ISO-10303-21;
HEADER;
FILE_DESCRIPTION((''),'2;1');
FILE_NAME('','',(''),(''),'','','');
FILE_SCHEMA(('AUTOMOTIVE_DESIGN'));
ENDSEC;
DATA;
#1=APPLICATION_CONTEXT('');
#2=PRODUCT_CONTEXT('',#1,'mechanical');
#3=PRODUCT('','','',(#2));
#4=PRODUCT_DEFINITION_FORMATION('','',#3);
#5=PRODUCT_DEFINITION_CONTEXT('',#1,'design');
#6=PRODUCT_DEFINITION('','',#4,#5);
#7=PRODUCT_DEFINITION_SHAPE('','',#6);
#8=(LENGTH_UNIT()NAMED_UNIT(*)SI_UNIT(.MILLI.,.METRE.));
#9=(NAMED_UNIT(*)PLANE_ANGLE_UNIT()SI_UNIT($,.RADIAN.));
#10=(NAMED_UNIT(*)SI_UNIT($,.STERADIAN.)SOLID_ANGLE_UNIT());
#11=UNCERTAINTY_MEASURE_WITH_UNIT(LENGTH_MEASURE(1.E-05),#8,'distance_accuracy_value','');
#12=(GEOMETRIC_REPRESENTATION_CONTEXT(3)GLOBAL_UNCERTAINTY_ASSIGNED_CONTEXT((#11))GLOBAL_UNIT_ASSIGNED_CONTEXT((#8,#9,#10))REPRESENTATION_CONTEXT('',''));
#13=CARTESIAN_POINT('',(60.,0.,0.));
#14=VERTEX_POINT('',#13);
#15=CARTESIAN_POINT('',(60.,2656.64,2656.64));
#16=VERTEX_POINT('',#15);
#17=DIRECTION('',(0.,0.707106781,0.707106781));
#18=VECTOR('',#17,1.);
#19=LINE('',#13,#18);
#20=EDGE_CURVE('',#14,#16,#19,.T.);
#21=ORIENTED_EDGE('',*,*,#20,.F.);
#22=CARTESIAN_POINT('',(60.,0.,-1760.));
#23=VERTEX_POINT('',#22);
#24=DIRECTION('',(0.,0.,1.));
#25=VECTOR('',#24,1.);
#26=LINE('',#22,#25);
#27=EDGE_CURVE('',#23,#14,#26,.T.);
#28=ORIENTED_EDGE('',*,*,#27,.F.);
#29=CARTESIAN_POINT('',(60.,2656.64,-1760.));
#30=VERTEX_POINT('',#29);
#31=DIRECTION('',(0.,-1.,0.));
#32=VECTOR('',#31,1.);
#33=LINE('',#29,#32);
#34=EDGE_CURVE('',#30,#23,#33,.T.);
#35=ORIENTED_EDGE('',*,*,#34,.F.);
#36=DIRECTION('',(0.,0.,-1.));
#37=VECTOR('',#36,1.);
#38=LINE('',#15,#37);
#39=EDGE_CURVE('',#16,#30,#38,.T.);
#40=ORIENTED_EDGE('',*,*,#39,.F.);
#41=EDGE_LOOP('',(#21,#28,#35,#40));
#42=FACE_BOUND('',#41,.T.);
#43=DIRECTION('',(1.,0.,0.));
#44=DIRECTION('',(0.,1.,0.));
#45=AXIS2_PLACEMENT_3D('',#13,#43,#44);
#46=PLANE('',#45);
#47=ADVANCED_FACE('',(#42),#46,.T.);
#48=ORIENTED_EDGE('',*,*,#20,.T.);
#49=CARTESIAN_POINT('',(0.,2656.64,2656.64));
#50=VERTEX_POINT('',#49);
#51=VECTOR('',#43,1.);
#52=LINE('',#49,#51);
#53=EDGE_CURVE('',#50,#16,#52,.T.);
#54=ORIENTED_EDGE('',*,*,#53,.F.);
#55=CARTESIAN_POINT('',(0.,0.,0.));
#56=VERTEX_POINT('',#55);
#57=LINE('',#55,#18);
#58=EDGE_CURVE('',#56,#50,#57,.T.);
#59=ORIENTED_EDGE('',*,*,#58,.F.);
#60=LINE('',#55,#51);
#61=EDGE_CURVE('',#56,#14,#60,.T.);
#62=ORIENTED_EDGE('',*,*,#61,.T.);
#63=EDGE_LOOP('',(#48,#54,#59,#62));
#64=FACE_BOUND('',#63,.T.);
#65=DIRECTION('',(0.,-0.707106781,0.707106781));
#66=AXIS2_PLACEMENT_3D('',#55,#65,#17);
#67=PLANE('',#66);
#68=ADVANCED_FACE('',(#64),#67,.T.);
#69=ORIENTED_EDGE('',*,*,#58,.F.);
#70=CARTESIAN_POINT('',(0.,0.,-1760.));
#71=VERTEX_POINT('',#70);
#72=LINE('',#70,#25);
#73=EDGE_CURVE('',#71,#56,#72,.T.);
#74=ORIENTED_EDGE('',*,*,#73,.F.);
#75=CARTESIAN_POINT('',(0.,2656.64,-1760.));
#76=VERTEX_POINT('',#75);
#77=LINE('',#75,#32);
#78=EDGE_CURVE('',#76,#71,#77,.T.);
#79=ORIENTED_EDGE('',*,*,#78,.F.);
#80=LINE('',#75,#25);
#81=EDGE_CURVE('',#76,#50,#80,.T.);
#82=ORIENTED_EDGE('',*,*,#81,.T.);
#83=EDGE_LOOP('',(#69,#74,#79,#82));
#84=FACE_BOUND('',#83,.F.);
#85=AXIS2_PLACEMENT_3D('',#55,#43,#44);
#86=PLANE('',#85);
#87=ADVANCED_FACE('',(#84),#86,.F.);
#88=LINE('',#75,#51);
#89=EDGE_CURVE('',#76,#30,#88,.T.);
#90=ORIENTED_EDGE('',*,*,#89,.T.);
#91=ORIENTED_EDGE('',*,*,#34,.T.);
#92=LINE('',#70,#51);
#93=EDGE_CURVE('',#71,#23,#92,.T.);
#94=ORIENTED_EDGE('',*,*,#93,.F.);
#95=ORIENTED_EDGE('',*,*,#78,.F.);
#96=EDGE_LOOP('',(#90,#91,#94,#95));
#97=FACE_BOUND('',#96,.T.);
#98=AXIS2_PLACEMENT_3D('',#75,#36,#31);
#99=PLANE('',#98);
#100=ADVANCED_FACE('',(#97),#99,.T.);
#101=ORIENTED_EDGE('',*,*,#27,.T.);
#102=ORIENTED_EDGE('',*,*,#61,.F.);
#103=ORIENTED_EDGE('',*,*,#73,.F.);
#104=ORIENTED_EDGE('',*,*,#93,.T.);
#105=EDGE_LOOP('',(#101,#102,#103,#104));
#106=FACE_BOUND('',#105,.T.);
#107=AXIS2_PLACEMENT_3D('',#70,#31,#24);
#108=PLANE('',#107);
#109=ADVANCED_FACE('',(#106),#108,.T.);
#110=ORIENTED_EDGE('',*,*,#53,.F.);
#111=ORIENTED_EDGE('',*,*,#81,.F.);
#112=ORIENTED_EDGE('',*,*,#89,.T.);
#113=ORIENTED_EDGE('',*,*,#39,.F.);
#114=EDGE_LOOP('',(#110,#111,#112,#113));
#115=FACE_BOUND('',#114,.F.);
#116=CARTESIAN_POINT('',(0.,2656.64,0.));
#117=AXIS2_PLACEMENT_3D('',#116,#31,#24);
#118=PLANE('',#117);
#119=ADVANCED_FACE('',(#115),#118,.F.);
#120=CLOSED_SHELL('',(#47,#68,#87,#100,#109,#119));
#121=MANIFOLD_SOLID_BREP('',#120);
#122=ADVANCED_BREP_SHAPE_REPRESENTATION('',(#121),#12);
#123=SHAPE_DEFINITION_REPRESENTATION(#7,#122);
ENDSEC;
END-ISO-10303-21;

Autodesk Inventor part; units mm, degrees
ref_plane "YZ Plane" through (0, 0, 0) normal (1, 0, 0) x (0, 1, 0)
ref_plane "XZ Plane" through (0, 0, 0) normal (0, 1, 0) x (-1, 0, 0)
ref_plane "XY Plane" through (0, 0, 0) normal (0, 0, 1) x (1, 0, 0)
sketch "Sketch1" plane through (0, 0, 0) normal (1, 0, 0) x (0, 1, 0)
  line L0 (0, 0) -> (2656.64, 0)
  line L1 (2656.64, 0) -> (2656.64, -1760)
  line L2 (2656.64, -1760) -> (0, -1760)
  line L3 (0, -1760) -> (0, 0)
  line L4 (0, 0) -> (2656.64, 2656.64)
  line L5 (0, 0) -> (2156.3058, 0) construction
  line L6 (2656.64, 0) -> (2656.64, 2656.64)
  dimension "d0" = 2656.64
  dimension "d1" = 1760
  dimension "d2" = 45
extrude "Extrusion1" add sketch "Sketch1" along normal blind 60
properties part number "side gusset" material "Stainless Steel, Austenitic"
